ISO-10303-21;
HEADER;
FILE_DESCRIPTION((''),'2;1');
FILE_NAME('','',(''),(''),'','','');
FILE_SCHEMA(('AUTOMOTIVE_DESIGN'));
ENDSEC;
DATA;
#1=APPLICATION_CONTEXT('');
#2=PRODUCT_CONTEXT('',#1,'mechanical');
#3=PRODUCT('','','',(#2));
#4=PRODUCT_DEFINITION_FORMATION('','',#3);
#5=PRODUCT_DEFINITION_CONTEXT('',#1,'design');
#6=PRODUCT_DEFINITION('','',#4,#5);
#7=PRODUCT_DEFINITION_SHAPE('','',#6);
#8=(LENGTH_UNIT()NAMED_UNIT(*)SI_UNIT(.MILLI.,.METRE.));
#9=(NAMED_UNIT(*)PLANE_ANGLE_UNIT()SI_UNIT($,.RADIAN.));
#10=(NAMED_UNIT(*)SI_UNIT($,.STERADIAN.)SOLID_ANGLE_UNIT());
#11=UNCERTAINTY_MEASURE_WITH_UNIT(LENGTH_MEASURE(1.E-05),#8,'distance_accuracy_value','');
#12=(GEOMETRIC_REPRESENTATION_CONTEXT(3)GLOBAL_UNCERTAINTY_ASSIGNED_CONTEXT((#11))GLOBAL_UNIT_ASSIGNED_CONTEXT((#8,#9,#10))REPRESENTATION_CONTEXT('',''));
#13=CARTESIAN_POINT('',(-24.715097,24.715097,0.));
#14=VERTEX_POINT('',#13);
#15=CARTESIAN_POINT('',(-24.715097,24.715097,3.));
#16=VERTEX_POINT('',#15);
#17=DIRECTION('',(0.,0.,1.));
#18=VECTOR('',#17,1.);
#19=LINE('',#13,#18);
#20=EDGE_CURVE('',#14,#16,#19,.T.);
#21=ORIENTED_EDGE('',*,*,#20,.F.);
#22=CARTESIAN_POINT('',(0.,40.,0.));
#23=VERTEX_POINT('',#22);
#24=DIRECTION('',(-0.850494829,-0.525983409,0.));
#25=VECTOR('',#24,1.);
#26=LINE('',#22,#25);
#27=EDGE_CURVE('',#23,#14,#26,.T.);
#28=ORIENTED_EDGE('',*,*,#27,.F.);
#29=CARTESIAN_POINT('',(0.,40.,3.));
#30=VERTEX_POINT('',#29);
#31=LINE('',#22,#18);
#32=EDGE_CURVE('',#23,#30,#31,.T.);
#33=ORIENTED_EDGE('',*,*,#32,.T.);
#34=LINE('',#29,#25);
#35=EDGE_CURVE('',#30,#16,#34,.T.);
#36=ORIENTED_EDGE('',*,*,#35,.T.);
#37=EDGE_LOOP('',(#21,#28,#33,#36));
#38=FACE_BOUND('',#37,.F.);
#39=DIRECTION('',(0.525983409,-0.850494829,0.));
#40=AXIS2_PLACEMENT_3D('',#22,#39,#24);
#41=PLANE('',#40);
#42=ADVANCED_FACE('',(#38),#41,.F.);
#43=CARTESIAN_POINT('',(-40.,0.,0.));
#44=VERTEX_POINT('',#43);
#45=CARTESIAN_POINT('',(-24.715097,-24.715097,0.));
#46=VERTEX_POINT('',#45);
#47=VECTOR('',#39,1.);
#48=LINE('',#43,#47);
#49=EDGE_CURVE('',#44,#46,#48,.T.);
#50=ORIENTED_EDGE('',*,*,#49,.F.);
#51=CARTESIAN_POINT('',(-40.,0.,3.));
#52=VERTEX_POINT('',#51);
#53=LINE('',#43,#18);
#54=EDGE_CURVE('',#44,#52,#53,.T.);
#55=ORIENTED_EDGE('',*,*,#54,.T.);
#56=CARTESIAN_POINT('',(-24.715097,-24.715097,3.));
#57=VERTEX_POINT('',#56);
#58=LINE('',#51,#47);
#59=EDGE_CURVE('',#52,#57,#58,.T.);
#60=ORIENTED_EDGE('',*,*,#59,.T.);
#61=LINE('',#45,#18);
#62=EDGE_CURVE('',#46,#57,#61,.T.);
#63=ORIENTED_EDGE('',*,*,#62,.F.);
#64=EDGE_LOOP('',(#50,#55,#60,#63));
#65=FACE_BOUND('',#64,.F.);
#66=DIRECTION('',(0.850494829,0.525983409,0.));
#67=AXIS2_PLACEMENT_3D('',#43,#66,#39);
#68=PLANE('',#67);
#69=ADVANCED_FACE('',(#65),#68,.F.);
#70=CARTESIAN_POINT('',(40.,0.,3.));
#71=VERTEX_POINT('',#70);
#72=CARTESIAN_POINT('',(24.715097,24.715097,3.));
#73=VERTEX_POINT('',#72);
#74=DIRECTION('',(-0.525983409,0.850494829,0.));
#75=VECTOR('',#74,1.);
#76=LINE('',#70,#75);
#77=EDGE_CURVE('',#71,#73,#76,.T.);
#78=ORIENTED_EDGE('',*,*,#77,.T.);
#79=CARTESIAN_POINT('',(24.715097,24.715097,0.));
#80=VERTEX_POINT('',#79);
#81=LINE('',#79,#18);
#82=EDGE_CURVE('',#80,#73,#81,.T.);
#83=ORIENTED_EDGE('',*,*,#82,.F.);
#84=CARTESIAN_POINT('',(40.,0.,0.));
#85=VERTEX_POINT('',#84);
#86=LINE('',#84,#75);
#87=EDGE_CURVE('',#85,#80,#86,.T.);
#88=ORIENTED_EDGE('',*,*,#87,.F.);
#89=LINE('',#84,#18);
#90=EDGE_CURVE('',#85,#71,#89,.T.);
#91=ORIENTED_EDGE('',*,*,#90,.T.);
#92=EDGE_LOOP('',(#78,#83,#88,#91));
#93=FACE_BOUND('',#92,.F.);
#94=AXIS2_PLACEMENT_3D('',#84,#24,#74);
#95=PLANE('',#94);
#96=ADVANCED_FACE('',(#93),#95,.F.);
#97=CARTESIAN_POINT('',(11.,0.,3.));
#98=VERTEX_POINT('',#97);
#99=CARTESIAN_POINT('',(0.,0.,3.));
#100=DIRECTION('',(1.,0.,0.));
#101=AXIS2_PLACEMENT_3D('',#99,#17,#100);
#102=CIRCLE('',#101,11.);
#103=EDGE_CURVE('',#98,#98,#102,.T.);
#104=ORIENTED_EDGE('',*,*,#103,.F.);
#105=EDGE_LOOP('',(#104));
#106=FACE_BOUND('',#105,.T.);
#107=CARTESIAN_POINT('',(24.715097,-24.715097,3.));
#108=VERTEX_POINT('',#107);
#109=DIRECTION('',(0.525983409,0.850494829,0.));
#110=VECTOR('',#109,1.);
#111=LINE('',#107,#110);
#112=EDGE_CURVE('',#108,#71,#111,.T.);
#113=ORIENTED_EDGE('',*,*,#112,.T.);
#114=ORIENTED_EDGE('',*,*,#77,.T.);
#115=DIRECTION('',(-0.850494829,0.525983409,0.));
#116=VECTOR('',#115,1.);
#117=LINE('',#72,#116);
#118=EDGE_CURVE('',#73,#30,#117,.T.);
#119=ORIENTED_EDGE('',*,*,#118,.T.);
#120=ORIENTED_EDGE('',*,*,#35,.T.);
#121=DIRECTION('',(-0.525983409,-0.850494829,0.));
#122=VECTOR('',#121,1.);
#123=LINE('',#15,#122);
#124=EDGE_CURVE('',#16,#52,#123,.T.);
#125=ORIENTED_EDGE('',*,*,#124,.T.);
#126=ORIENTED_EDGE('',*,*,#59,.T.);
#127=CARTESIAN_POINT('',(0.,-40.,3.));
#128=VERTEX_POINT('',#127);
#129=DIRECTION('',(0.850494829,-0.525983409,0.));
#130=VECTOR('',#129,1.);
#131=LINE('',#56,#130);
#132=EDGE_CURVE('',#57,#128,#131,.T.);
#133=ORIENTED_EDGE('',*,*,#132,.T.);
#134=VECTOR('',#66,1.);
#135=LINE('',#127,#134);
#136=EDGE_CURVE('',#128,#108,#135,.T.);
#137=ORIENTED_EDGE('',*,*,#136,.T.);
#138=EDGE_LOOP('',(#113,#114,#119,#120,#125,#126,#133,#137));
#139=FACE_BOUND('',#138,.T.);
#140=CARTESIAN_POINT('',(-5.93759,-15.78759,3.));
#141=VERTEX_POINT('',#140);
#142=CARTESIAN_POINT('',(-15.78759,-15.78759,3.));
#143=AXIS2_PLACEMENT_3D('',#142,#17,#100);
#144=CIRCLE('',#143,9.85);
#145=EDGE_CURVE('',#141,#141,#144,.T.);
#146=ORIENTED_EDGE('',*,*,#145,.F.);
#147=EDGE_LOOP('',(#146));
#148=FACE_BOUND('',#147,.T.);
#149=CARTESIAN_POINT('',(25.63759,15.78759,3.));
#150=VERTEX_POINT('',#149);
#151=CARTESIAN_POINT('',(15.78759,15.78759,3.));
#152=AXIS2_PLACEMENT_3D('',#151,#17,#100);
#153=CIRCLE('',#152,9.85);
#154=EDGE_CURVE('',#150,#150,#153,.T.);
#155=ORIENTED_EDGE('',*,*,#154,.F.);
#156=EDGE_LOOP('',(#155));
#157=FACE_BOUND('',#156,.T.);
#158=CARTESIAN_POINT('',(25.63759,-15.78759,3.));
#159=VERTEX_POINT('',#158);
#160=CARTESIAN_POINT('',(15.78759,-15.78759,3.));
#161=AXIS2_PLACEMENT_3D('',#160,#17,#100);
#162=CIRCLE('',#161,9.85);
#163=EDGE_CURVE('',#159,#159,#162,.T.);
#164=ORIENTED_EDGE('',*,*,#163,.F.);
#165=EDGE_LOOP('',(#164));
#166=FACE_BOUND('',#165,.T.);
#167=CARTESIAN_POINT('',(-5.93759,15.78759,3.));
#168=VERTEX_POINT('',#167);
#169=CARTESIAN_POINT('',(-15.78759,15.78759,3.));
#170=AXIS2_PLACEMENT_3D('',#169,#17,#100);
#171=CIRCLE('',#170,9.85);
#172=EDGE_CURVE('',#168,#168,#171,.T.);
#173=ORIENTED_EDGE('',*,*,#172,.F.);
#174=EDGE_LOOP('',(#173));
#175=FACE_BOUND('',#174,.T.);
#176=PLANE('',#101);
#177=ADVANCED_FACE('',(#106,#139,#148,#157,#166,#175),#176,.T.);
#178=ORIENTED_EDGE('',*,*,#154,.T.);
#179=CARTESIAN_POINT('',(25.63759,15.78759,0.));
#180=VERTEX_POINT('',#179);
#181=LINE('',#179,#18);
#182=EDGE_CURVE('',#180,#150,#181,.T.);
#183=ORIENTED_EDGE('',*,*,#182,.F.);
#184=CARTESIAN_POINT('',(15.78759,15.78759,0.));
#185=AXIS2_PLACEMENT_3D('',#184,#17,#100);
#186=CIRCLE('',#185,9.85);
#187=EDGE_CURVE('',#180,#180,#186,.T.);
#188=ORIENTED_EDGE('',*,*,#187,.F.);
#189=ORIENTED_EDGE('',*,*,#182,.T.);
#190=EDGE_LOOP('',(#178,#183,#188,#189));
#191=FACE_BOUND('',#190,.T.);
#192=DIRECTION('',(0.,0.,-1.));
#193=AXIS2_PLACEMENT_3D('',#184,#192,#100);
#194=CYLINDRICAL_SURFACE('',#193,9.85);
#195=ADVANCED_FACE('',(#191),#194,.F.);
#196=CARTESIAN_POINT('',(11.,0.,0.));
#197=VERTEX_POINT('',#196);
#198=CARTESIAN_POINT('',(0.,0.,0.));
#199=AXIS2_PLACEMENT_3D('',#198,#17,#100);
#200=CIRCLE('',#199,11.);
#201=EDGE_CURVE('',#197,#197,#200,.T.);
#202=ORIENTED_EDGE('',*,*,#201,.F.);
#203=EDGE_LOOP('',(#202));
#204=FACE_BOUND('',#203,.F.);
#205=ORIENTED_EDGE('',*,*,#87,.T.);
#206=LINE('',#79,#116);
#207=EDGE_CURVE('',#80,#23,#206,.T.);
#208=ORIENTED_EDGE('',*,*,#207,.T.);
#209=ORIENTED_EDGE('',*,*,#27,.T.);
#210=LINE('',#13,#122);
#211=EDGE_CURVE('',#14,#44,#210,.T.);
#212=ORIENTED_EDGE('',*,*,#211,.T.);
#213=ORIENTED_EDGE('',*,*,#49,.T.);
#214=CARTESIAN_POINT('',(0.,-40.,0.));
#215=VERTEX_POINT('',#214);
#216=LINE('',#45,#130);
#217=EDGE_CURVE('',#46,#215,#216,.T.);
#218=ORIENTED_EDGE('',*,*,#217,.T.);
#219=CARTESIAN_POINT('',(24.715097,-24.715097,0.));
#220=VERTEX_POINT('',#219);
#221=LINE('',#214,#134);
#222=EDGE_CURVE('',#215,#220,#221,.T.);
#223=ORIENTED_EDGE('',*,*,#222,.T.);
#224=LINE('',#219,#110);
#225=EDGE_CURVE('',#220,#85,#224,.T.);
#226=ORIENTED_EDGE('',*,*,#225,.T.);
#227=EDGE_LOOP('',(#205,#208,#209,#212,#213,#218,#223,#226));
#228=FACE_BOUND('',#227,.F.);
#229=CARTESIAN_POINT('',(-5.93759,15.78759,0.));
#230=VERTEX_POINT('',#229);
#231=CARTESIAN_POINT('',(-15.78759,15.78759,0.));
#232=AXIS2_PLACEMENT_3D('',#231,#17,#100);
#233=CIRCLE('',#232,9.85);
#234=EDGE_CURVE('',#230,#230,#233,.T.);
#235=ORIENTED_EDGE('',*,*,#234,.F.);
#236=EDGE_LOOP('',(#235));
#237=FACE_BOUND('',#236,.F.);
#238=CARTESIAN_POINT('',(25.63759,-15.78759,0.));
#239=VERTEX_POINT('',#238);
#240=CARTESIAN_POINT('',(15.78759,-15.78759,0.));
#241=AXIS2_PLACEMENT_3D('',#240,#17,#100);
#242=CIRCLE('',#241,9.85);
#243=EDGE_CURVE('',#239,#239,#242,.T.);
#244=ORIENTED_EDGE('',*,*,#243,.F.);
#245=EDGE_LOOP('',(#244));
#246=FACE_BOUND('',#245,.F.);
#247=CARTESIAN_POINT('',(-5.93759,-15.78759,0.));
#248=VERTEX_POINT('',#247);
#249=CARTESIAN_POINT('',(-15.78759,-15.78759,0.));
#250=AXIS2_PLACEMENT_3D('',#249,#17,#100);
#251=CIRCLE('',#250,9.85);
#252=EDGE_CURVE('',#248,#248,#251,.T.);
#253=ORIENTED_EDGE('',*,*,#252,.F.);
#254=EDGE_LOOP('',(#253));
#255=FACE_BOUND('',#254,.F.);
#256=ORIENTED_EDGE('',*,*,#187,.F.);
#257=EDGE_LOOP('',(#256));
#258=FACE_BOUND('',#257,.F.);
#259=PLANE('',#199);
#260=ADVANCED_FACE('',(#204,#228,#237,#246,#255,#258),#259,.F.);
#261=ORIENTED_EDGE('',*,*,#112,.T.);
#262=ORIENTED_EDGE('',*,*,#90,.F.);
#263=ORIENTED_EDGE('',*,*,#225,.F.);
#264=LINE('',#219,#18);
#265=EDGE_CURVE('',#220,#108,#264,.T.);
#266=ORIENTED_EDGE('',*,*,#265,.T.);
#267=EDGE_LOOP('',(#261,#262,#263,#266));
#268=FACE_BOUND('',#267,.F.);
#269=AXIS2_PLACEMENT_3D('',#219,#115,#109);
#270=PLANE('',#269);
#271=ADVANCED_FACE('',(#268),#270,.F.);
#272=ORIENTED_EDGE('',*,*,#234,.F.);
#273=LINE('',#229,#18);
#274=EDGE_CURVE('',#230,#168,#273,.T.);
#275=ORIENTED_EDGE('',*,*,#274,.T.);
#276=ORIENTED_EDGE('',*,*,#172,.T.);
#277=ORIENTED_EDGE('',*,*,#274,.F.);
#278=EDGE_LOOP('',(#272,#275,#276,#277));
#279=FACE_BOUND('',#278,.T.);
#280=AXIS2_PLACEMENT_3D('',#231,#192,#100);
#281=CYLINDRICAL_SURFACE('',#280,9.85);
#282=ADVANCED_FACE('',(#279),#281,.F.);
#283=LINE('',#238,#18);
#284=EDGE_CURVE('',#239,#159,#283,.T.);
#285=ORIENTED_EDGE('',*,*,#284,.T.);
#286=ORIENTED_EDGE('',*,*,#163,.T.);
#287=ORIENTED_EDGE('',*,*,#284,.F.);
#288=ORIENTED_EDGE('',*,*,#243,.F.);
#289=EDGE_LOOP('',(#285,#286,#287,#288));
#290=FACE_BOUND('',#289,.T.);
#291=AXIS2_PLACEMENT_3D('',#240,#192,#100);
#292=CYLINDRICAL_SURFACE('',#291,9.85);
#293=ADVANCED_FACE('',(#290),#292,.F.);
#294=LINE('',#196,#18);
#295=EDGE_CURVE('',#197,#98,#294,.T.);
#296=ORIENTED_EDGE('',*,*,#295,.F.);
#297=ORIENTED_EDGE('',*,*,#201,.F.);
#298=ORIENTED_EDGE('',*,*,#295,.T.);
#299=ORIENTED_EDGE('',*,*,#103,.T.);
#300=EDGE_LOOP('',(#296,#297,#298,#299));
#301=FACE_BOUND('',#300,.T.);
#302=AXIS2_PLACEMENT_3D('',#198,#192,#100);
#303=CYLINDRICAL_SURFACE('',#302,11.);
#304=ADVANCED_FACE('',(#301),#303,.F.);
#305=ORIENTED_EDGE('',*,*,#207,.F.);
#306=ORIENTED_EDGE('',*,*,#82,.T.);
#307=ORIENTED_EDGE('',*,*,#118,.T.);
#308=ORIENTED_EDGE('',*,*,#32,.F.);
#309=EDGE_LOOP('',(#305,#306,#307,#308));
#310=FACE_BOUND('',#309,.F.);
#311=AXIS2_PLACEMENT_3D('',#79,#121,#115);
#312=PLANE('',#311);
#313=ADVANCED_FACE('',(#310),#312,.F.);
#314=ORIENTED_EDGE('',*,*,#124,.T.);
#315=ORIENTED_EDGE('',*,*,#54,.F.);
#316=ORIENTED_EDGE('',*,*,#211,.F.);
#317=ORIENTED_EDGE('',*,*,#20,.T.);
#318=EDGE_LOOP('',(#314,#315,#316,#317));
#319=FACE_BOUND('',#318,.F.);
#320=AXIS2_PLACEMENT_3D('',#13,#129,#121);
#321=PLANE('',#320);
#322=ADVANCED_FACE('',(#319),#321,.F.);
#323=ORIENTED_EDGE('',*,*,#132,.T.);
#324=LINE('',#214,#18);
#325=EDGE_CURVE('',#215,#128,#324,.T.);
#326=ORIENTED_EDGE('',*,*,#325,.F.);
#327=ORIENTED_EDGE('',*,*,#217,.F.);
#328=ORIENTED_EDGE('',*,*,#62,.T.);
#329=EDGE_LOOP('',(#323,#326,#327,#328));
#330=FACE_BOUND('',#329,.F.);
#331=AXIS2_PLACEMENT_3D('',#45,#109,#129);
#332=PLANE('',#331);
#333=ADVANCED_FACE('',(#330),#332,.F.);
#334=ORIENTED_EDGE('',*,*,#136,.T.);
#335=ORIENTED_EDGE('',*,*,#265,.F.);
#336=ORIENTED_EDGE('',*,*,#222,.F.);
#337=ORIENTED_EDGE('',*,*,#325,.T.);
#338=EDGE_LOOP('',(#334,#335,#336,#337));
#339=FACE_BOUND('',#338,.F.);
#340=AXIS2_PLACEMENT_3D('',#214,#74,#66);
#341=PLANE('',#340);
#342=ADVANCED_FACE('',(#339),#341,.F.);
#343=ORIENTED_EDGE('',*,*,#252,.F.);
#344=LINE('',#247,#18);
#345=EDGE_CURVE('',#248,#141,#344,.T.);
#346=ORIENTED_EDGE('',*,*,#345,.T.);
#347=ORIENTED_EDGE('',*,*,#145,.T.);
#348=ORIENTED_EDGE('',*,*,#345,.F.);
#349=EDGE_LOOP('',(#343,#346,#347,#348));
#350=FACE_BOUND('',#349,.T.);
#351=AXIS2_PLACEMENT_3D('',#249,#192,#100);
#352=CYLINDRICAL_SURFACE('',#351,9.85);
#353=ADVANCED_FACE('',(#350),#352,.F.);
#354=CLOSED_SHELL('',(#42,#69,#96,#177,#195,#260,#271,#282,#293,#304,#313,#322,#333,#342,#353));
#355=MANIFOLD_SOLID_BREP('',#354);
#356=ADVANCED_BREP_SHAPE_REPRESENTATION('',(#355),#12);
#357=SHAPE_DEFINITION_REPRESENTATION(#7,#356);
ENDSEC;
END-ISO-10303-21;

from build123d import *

# Parameters (mm, degrees)
F0_R     = 9.85
F0_R_2   = 11
F1_DEPTH = 3


with BuildPart() as f1:
    # F0 (on Top) → F1 (new body)
    with BuildSketch(Plane.XY):
        Polygon((24.715097, 24.715097), (0, 40), (-24.715097, 24.715097), (-40, 0), (-24.715097, -24.715097), (0, -40), (24.715097, -24.715097), (40, 0), align=None)
        with Locations((-15.78759, -15.78759)):
            Circle(F0_R, mode=Mode.SUBTRACT)
        with Locations((15.78759, -15.78759)):
            Circle(F0_R, mode=Mode.SUBTRACT)
        with Locations((-15.78759, 15.78759)):
            Circle(F0_R, mode=Mode.SUBTRACT)
        Circle(F0_R_2, mode=Mode.SUBTRACT)
        with Locations((15.78759, 15.78759)):
            Circle(F0_R, mode=Mode.SUBTRACT)
    extrude(amount=F1_DEPTH)


solid = f1.part
